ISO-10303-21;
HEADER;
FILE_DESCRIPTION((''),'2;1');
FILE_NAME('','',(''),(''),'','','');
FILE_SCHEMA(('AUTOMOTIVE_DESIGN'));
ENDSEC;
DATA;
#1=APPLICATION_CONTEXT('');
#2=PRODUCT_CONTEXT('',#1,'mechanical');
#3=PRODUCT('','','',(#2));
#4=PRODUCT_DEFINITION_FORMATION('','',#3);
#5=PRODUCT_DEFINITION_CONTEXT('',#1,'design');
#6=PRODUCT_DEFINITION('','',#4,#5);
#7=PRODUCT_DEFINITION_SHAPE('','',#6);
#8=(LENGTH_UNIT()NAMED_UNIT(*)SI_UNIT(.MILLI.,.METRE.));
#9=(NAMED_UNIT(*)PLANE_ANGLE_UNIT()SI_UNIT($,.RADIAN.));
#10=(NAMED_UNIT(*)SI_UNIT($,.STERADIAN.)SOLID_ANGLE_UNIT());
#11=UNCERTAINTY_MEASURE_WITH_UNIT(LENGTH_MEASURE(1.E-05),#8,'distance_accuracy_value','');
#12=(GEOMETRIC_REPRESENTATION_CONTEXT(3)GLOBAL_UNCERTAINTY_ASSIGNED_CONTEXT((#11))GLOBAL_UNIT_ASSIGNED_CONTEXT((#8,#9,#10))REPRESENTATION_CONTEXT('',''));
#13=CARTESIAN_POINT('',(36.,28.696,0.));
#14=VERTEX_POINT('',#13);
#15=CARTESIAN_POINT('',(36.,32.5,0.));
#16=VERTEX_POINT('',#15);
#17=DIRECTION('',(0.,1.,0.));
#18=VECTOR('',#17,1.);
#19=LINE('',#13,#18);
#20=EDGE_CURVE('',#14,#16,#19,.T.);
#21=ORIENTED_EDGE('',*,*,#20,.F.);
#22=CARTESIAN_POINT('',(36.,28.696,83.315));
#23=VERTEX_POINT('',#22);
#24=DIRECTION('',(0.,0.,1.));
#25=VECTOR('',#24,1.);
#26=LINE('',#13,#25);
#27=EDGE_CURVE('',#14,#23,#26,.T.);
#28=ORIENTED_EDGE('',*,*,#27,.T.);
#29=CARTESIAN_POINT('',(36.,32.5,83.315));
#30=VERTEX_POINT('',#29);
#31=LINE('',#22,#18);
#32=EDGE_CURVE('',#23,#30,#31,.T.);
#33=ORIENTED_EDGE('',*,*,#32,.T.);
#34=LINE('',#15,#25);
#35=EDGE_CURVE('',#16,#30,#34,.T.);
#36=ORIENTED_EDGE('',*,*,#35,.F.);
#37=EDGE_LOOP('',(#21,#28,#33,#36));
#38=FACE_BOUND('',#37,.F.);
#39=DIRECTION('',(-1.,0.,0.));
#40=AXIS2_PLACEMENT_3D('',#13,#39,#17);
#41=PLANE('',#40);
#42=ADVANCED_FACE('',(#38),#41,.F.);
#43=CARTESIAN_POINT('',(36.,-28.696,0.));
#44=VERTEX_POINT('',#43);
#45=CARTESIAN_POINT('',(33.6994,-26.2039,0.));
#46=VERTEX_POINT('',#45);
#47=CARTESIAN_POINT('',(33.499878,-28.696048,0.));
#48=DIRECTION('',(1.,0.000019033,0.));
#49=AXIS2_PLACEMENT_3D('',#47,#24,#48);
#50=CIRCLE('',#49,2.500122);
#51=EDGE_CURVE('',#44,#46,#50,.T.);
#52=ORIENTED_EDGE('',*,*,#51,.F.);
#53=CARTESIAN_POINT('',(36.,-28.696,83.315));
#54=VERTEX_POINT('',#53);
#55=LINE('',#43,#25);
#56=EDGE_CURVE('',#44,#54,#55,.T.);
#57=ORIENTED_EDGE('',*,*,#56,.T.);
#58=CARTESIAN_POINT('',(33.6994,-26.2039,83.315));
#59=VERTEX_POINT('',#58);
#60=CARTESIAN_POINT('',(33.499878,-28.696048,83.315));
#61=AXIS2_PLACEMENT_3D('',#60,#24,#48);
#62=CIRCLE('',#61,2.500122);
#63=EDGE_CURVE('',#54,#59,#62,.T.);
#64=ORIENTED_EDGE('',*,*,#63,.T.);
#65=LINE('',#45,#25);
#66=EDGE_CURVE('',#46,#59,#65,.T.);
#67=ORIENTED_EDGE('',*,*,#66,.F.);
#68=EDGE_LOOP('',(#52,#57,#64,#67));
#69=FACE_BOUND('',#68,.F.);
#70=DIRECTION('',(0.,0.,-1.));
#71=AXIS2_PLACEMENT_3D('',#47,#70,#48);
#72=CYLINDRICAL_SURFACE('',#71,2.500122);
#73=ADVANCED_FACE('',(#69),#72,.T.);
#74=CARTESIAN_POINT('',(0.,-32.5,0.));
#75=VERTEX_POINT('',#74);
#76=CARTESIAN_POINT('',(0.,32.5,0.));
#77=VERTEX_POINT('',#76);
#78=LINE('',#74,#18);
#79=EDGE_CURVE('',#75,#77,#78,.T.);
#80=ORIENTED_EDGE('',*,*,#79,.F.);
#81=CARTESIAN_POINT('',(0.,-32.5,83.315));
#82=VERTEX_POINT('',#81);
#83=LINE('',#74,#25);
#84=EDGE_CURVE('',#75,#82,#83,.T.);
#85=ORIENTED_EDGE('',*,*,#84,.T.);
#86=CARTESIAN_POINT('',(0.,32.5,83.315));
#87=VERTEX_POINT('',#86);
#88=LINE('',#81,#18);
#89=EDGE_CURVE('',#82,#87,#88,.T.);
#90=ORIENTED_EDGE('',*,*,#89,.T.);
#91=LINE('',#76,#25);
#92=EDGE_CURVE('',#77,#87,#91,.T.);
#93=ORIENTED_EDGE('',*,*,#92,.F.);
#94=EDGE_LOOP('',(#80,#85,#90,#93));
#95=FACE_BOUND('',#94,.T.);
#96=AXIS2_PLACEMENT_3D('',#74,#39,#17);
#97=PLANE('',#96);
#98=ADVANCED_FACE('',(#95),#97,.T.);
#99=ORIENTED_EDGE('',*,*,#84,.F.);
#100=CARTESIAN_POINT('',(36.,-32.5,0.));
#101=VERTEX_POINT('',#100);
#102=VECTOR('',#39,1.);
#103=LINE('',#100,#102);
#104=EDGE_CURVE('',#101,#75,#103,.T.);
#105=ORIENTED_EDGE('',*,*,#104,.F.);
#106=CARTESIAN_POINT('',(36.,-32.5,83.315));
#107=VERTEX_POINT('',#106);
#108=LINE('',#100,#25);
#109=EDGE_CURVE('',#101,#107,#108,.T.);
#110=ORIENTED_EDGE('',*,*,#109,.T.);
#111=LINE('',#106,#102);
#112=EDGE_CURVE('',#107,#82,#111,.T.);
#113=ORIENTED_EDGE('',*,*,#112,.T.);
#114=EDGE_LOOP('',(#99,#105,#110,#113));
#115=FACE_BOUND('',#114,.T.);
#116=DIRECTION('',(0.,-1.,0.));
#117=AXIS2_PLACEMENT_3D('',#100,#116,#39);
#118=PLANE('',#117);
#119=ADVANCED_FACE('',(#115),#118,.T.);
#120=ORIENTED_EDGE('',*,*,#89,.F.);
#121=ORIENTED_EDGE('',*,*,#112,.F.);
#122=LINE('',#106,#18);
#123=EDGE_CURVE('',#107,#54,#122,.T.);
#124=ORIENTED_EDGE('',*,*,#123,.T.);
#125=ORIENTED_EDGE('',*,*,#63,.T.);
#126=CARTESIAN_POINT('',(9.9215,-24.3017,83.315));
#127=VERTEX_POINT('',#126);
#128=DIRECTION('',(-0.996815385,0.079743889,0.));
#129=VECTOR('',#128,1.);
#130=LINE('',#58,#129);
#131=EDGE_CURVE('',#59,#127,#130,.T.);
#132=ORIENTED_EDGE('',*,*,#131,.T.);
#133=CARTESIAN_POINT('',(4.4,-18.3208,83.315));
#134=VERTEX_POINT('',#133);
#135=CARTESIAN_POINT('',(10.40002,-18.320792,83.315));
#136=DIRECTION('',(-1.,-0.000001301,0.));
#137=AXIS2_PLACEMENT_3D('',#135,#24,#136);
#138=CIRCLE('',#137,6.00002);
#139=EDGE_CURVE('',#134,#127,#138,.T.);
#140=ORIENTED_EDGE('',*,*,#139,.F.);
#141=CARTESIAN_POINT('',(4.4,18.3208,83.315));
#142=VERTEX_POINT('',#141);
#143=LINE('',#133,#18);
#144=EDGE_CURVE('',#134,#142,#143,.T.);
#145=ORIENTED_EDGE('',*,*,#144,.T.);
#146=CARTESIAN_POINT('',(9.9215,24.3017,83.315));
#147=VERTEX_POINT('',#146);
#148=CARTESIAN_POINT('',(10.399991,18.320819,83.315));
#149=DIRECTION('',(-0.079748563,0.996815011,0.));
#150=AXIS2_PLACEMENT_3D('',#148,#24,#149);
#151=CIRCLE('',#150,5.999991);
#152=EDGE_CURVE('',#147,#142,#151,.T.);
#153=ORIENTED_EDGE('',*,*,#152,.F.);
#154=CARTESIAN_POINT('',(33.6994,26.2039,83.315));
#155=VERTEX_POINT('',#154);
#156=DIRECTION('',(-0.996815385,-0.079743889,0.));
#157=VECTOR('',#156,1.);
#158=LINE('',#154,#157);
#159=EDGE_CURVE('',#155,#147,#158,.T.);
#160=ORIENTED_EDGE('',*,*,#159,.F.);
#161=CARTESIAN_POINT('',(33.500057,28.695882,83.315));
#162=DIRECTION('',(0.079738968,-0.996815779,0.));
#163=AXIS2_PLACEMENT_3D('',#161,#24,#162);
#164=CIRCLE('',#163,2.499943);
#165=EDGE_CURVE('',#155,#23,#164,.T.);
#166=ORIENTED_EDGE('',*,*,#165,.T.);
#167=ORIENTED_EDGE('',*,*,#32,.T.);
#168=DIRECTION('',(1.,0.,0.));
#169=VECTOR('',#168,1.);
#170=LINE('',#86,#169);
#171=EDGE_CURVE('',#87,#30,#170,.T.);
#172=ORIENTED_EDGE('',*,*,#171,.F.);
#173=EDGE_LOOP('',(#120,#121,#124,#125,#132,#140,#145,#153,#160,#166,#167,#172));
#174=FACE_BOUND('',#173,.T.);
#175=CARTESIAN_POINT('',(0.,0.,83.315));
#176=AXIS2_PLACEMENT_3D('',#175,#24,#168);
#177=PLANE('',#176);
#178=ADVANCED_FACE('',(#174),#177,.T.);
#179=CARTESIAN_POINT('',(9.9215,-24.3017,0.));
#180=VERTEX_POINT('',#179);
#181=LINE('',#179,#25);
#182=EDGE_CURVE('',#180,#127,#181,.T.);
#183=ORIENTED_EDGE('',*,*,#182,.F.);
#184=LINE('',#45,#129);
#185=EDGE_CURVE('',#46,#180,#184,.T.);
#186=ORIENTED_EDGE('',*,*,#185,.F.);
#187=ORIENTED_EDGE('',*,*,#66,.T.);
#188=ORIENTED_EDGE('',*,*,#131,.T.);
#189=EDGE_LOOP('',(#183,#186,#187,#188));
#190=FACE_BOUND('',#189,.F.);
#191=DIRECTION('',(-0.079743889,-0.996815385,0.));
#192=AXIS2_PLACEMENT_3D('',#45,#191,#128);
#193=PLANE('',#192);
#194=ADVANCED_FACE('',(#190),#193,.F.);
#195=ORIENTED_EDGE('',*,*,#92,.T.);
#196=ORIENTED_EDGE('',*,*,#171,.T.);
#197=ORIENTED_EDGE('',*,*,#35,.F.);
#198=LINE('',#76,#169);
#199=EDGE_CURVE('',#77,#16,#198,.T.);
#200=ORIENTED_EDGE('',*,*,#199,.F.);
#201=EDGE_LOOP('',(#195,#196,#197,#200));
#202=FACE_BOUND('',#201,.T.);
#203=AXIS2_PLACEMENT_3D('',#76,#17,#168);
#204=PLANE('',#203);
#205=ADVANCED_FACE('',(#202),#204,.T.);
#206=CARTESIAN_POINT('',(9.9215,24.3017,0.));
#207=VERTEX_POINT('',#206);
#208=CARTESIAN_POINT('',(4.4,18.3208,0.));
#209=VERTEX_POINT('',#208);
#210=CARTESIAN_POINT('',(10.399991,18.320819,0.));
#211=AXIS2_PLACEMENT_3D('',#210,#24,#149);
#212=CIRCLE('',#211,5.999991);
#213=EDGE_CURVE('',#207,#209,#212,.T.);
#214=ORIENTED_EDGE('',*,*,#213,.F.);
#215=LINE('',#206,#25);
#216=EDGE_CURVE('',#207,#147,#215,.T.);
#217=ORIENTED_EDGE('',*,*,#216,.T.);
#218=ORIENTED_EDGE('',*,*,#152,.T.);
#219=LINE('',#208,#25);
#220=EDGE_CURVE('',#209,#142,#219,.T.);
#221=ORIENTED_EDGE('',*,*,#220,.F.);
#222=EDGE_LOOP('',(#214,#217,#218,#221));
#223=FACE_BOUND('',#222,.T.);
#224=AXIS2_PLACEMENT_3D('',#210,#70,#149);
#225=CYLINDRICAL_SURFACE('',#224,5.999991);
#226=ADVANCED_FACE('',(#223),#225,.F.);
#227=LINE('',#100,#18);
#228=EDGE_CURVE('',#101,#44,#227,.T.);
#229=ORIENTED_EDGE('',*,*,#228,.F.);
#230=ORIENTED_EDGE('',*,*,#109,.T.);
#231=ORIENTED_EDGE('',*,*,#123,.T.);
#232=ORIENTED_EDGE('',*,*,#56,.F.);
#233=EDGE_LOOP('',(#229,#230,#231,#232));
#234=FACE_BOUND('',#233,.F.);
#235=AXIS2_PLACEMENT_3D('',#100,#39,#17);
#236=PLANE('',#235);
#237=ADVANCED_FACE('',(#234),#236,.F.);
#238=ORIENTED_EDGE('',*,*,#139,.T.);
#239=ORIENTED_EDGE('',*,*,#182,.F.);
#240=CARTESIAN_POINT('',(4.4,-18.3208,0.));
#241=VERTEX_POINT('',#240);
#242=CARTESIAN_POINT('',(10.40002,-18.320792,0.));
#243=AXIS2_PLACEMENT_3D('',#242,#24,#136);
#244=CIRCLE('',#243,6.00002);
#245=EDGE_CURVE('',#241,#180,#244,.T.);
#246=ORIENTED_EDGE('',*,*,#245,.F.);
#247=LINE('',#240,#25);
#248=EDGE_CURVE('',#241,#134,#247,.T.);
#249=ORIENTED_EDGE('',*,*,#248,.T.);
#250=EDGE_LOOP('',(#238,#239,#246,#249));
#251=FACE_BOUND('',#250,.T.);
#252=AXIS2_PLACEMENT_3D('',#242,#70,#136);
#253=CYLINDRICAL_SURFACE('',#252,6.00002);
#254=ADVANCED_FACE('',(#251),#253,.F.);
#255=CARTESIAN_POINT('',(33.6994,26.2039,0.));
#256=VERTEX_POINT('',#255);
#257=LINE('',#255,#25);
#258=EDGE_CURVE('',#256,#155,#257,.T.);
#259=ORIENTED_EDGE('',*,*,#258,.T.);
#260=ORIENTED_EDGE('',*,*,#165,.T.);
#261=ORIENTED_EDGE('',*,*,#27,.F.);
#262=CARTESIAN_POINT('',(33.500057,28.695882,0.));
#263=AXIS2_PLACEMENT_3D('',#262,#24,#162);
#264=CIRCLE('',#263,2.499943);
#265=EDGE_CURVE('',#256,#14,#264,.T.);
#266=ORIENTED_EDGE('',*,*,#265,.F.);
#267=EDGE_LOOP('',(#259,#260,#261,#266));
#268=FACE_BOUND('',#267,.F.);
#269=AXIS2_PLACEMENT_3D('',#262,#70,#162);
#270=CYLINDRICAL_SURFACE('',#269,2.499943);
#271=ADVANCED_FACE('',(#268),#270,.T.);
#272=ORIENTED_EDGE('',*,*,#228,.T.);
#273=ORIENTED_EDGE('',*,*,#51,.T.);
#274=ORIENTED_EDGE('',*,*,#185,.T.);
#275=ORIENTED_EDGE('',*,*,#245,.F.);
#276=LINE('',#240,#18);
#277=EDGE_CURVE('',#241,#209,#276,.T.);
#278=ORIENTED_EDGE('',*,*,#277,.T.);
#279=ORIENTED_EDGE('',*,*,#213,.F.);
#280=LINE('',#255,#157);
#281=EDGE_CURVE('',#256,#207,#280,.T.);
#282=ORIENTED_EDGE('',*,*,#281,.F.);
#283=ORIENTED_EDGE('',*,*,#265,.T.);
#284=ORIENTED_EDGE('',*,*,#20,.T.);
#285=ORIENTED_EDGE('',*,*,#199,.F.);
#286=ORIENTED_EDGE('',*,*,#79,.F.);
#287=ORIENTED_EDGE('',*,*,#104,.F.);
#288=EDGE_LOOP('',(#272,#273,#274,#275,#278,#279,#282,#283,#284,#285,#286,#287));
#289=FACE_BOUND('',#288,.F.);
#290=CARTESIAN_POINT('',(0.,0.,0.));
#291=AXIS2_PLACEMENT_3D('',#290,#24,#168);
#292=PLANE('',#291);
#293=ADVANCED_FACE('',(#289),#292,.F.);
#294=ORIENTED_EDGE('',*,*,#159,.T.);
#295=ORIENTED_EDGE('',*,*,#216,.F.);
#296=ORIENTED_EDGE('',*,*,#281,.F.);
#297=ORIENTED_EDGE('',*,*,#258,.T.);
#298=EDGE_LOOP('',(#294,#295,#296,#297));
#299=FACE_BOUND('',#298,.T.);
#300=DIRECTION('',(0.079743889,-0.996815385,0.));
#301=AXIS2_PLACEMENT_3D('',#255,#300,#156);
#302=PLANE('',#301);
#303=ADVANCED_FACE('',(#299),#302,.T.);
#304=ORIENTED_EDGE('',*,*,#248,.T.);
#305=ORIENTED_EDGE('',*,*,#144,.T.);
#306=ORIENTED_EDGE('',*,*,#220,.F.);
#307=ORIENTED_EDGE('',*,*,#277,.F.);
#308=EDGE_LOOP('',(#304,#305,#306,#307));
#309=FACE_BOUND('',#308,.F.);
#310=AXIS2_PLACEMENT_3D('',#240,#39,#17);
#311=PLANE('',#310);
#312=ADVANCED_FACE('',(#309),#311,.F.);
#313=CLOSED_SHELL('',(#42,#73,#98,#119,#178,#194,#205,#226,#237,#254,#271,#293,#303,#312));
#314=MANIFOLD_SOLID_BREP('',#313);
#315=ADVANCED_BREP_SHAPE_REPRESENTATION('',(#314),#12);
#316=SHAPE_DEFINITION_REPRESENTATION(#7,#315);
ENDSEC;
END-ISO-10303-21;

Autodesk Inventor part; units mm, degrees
ref_plane "Начальная плоскость" through (0, 0, 0) normal (0, 0, 1) x (1, 0, 0)
ref_plane "Конечная плоскость" through (0, 0, 83.315) normal (0, 0, 1) x (1, 0, 0)
sketch "Эскиз" plane through (0, 0, 0) normal (0, 0, 1) x (1, 0, 0)
  line L0 (36, -32.5) -> (0, -32.5)
  line L1 (36, -32.5) -> (36, -28.696)
  line L2 (33.6994, -26.2039) -> (9.9215, -24.3017)
  line L3 (4.4, -18.3208) -> (4.4, 18.3208)
  line L4 (33.6994, 26.2039) -> (9.9215, 24.3017)
  line L5 (36, 28.696) -> (36, 32.5)
  line L6 (0, 32.5) -> (36, 32.5)
  line L7 (0, -32.5) -> (0, 32.5)
  arc A0 (4.4, -18.3208) -> (9.9215, -24.3017) centre (10.4, -18.3208) ccw
  arc A1 (9.9215, 24.3017) -> (4.4, 18.3208) centre (10.4, 18.3208) ccw
  arc A2 (36, -28.696) -> (33.6994, -26.2039) centre (33.5, -28.696) ccw
  arc A3 (33.6994, 26.2039) -> (36, 28.696) centre (33.5, 28.696) ccw
  line L8 (0, 45.5) -> (0, -45.5) construction
  line L9 (-7.2974, 0) -> (43.7847, 0) construction
  point P0 (36, -26.388)
  point P1 (4.4, -23.86)
  point P2 (4.4, 23.86)
  point P3 (36, 26.388)
  dimension "d3" = 36
  dimension "d5" = 4.4
  dimension "d7" = 65
  dimension "d9" = 8.64
  dimension "d11" = 8.64
  dimension "d13" = 6.112
  dimension "d15" = 6.112
  dimension "d22" = 6
  dimension "d23" = 2.5
  dimension "d24" = 32.5
  dimension "d25" = 0
extrude "Тело" add sketch "Эскиз" along normal up to surface (83.315 mm away) from surface at 0
sketch "Sketch3" plane through (0, 0, 0) normal (0, 0, 1) x (1, 0, 0)
  line L0 (0, 0) -> (10, 0)
ref_plane "Work Plane7" through (0, 0, 0) normal (0, -1, 0) x (1, 0, 0)
sketch "Sketch4" plane through (0, 0, 0) normal (0, -1, 0) x (1, 0, 0)
  line L0 (-2, 0) -> (12, 0)
  line L1 (-2, 83.315) -> (12, 83.315)
  dimension "d29" = 83.315
ref_plane "РабПлоскость8" through (18, -177.5, 83.315) normal (0, 0, 1) x (1, 0, 0)
split "Разделение1" plane through (18, -177.5, 83.315) removes the side toward (0, 0, 1)
equation "\"d3\" = b"
equation "\"d5\" = t1"
equation "\"d7\" = ParH"
equation "\"d9\" = msp_x1 + t2"
equation "\"d11\" = msp_x1 + t2"
equation "\"d13\" = -msp_x2 + t2"
equation "\"d15\" = -msp_x2 + t2"
equation "\"d22\" = R"
equation "\"d23\" = R1"
equation "\"d24\" = 0.5 * d7"
equation "\"d16\" = G_L"
equation "\"R1\" = 2.5"
equation "\"R\" = 6"
equation "\"t1\" = 4.4"
equation "\"t2\" = 7.2"
equation "\"ParH\" = 65"
equation "\"b\" = 36"
equation "\"msp_x1\" = 0.04 * b"
equation "\"msp_x2\" = -0.08 * t1 + 0.04 * b"
equation "\"G_L\" = d29"
equation "\"ex\" = 0"
equation "\"G_OFFSET_START\" = 0"
equation "\"G_OFFSET_END\" = 0"
equation "\"d27\" = G_OFFSET_END + B_L"
equation "\"B_L\" = 83.315"
properties part number "Швеллер 6.5U-83,32 ГОСТ 8240-97" material "Сталь, мягкая, сварочная"
